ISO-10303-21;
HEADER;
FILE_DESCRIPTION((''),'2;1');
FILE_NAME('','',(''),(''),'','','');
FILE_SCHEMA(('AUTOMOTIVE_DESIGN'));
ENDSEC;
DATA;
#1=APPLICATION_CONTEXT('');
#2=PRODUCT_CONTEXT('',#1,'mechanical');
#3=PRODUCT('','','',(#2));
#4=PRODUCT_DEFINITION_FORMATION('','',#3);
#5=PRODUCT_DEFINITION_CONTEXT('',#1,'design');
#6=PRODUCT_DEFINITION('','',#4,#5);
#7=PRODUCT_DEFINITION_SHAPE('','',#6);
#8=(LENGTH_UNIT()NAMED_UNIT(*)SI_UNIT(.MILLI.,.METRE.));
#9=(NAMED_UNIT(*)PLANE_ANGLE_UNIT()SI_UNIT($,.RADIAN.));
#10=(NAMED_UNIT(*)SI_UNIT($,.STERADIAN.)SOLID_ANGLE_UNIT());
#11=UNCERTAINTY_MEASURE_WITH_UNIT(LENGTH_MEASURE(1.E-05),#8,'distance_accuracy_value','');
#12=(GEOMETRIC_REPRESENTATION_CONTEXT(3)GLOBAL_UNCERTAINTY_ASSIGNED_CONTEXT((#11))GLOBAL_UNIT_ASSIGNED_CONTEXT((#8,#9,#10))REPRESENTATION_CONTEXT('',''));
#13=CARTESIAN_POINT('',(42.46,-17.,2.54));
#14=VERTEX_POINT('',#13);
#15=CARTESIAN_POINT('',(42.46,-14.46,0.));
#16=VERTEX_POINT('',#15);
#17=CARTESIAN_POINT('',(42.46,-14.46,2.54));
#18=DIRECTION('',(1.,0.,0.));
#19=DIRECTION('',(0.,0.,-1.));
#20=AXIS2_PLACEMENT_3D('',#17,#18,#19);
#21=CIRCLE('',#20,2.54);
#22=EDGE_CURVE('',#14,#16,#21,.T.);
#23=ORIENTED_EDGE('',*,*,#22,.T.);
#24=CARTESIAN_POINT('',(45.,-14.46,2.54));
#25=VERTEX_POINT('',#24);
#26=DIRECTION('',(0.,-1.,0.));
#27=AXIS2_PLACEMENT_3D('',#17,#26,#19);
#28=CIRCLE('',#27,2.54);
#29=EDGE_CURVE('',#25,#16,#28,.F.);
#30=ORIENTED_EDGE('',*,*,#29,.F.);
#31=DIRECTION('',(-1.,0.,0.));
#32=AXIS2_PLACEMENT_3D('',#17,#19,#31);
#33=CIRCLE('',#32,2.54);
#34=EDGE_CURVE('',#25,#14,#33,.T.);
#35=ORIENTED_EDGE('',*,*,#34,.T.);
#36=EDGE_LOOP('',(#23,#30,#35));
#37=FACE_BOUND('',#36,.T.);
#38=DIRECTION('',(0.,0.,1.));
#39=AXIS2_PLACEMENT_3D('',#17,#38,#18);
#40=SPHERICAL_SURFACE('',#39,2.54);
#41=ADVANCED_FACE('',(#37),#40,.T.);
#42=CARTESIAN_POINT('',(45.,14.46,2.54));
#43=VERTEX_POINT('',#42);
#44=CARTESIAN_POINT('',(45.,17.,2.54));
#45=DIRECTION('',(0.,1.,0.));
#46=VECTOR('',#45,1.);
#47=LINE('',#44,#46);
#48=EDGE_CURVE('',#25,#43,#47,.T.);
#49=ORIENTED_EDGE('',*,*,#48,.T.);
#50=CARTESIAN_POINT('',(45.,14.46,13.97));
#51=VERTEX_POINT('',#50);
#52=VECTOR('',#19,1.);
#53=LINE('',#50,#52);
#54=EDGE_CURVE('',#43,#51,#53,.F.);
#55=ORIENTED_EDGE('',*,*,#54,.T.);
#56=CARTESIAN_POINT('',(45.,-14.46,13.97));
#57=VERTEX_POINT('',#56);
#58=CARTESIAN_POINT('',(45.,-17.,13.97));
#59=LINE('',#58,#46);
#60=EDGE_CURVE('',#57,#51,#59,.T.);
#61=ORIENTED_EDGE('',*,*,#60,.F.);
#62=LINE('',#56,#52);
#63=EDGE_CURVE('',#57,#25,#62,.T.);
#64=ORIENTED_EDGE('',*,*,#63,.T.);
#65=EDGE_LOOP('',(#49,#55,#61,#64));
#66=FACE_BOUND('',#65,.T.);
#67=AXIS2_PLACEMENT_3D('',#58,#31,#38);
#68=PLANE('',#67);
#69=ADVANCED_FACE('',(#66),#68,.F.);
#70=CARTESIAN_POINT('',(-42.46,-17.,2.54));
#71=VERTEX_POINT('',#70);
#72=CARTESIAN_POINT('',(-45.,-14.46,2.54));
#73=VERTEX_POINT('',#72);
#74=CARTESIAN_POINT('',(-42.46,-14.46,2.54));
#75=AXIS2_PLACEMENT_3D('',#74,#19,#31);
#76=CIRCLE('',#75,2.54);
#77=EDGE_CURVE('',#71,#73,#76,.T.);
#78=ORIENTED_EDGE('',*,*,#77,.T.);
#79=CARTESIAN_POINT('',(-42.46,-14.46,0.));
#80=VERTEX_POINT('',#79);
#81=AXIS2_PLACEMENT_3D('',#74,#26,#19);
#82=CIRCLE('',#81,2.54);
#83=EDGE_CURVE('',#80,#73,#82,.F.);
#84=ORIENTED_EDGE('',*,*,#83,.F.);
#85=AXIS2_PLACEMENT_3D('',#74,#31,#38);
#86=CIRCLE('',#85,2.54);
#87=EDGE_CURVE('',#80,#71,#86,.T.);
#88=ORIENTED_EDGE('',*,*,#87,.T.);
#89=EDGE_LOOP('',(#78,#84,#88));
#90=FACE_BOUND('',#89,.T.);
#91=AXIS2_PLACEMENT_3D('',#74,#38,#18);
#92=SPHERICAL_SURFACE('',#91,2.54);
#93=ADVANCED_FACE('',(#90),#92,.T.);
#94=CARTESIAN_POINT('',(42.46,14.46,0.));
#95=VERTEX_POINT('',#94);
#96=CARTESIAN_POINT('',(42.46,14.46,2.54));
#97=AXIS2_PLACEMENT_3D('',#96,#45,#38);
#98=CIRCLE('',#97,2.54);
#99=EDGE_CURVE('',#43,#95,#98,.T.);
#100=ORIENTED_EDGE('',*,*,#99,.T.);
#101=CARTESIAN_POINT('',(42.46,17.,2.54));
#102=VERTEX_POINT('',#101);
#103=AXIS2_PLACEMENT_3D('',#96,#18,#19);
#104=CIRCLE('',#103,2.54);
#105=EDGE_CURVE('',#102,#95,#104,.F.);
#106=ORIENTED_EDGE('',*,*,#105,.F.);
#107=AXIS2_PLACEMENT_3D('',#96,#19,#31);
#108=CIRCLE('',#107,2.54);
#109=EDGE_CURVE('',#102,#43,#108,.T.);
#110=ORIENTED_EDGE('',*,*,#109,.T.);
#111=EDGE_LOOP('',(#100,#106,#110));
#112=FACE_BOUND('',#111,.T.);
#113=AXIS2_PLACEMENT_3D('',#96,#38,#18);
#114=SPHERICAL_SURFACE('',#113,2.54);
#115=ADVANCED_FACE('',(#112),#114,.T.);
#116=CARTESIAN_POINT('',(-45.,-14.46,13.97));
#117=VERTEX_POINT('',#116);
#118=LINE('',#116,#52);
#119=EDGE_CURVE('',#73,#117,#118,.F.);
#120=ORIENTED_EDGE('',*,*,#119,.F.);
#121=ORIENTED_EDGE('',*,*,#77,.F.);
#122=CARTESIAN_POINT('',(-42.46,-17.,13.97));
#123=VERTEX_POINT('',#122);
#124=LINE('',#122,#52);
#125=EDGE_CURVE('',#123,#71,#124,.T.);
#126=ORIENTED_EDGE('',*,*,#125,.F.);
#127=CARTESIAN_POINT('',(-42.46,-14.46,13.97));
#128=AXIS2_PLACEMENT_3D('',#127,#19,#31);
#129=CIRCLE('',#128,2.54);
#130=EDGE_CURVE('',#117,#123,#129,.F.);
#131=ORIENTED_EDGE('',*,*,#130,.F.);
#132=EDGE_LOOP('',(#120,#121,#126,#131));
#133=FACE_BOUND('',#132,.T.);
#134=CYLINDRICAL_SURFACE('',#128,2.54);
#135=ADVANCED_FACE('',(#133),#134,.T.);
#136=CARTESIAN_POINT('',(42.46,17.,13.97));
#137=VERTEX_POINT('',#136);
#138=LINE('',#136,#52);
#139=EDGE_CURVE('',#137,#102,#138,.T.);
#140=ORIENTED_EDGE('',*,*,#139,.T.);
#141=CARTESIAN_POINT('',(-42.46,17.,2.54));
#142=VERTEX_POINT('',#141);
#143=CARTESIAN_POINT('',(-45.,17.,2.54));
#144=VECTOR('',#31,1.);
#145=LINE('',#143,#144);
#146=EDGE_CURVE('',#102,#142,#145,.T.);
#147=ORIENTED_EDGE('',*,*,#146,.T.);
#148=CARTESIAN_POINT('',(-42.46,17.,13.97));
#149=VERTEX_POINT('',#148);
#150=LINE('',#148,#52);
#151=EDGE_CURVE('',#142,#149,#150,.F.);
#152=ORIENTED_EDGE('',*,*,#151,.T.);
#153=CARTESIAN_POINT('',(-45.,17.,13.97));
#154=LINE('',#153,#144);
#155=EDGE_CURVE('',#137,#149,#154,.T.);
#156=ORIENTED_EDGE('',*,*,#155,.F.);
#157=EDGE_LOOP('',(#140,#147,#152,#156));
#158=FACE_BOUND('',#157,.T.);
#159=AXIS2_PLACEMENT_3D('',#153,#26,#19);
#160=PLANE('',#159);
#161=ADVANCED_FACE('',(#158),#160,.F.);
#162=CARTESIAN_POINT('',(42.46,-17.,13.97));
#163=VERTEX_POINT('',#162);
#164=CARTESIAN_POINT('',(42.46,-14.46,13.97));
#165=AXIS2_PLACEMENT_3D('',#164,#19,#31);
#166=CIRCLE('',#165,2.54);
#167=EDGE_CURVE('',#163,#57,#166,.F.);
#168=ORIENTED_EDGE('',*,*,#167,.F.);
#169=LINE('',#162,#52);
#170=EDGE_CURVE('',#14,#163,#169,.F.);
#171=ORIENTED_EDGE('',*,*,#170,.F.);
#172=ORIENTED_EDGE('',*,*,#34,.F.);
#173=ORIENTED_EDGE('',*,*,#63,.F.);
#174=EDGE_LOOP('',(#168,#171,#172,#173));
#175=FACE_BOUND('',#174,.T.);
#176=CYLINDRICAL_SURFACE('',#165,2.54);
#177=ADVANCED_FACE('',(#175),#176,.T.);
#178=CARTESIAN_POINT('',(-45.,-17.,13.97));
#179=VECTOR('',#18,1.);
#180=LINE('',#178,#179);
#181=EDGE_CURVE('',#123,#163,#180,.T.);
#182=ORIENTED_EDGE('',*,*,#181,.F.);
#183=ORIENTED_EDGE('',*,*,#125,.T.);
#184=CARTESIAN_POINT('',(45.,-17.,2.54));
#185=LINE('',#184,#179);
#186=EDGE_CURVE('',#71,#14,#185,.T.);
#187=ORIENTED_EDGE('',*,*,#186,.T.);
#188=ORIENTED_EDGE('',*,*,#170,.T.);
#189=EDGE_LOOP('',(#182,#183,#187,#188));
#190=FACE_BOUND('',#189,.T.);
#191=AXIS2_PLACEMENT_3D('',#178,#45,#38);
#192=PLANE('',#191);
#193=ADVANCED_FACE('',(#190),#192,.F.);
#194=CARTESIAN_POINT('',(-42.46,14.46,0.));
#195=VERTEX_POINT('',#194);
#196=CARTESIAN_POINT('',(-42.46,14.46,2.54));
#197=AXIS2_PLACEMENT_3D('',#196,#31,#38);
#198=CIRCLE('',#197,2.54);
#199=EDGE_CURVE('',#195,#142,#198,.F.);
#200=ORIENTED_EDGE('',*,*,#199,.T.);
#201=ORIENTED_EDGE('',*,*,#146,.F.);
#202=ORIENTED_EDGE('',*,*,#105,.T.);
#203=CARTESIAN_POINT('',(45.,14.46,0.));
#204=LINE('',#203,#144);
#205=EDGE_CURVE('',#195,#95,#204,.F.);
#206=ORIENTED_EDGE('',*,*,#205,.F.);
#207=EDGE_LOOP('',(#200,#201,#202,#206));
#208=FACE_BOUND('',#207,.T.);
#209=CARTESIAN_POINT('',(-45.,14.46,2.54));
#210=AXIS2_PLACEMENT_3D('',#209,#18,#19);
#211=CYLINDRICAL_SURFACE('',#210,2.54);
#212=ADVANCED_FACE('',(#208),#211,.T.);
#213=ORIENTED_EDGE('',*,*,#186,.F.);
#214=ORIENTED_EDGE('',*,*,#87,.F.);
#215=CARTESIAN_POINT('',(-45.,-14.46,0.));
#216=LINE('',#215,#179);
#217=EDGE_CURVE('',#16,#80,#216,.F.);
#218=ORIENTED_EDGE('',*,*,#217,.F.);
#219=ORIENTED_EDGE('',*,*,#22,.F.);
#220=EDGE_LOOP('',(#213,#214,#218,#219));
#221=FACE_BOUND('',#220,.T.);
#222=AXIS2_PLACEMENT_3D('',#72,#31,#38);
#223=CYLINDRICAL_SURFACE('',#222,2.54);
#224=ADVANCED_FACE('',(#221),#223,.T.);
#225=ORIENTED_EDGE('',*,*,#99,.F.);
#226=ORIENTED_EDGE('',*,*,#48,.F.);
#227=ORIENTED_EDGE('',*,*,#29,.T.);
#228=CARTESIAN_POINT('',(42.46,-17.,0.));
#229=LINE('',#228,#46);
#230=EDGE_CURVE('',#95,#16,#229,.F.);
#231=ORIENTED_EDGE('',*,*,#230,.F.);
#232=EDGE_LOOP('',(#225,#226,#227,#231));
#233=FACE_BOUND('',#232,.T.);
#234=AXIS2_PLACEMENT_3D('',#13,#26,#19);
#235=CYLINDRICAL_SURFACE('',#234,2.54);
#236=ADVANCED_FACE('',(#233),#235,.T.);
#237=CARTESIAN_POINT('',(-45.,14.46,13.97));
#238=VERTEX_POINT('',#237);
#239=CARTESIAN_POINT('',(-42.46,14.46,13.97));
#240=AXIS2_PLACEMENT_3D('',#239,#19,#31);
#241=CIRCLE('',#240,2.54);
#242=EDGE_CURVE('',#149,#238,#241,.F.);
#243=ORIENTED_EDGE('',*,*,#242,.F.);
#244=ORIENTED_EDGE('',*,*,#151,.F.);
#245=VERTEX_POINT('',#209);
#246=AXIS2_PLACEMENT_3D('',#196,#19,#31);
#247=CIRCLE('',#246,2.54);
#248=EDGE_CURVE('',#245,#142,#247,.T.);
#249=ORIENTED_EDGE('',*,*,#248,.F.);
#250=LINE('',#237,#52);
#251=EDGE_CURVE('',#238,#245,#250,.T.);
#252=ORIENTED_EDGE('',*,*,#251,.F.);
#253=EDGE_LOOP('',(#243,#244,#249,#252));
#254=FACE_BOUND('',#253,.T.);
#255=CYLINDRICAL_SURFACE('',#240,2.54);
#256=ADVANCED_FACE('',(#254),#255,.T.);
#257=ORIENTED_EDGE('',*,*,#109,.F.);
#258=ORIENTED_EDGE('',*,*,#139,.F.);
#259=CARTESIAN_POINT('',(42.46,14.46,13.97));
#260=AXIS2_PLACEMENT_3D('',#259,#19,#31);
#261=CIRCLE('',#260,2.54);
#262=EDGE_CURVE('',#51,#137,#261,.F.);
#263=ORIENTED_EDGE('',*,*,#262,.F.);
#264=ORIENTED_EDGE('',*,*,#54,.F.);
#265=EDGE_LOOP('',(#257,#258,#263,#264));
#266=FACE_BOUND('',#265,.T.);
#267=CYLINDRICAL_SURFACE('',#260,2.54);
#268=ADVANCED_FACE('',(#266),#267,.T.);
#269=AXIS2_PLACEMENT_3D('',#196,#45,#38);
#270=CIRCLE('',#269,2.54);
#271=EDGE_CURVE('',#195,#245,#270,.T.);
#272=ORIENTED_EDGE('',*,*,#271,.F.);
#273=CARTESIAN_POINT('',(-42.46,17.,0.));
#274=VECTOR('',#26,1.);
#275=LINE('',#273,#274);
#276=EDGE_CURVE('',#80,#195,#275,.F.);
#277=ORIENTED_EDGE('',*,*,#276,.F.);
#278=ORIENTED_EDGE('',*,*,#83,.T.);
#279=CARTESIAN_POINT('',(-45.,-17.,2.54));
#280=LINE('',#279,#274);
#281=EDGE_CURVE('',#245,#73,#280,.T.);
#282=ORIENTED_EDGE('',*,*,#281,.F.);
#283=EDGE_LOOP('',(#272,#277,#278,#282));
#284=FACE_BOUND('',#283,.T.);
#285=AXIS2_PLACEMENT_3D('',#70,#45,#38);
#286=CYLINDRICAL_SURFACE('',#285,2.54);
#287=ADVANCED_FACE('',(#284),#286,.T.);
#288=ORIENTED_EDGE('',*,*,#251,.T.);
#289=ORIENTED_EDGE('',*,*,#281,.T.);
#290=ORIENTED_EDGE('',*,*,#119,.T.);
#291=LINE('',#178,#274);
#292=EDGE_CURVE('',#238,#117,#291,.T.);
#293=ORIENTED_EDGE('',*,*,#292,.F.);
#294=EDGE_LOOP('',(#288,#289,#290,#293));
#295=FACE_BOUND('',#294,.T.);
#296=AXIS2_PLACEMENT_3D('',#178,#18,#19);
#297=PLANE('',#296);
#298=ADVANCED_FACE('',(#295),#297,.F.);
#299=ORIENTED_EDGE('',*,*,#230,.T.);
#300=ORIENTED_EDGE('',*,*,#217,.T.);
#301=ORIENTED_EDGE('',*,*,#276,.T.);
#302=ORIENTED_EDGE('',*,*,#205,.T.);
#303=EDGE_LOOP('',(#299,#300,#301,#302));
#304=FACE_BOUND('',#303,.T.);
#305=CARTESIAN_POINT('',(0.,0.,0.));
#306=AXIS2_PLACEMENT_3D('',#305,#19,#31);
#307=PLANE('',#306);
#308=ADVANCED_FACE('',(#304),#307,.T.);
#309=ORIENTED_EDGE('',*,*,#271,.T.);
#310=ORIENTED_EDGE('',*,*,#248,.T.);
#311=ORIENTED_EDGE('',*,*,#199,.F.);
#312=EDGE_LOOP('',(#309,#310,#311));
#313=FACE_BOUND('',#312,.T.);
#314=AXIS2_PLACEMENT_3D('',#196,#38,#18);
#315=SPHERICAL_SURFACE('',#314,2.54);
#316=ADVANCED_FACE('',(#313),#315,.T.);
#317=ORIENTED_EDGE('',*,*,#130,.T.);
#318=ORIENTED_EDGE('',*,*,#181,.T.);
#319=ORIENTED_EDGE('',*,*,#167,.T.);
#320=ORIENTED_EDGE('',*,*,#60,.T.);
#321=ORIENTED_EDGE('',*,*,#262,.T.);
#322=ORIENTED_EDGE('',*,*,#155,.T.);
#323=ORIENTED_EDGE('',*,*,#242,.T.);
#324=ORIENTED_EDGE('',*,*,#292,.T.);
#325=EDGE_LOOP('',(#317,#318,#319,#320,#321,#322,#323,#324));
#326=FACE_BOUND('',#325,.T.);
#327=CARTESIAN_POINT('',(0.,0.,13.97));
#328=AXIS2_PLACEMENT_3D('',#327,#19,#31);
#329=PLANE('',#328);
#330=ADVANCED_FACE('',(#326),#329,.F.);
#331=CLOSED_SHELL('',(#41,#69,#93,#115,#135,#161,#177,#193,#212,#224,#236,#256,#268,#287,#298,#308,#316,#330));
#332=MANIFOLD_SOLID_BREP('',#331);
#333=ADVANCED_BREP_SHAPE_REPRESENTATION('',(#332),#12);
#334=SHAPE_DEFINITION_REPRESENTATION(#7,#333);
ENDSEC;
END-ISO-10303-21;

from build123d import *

# Parameters (mm, degrees)
SKETCH1_W           = 90
SKETCH1_H           = 34
BOSS_EXTRUDE1_DEPTH = 13.97
FILLET1_R           = 2.54


with BuildPart() as part:
    # Sketch1 → Boss-Extrude1 (new body)
    with BuildSketch(Plane.XY):
        Rectangle(SKETCH1_W, SKETCH1_H)
    extrude(amount=BOSS_EXTRUDE1_DEPTH)

    # Fillet1
    fillet1_edges = [part.edges().sort_by_distance(p)[0] for p in [
        (0, -17, 0),
        (-45, 0, 0),
        (0, 17, 0),
        (45, 0, 0),
        (45, -17, 6.985),
        (-45, -17, 6.985),
        (-45, 17, 6.985),
        (45, 17, 6.985),
    ]]
    fillet(fillet1_edges, radius=FILLET1_R)


solid = part.part
